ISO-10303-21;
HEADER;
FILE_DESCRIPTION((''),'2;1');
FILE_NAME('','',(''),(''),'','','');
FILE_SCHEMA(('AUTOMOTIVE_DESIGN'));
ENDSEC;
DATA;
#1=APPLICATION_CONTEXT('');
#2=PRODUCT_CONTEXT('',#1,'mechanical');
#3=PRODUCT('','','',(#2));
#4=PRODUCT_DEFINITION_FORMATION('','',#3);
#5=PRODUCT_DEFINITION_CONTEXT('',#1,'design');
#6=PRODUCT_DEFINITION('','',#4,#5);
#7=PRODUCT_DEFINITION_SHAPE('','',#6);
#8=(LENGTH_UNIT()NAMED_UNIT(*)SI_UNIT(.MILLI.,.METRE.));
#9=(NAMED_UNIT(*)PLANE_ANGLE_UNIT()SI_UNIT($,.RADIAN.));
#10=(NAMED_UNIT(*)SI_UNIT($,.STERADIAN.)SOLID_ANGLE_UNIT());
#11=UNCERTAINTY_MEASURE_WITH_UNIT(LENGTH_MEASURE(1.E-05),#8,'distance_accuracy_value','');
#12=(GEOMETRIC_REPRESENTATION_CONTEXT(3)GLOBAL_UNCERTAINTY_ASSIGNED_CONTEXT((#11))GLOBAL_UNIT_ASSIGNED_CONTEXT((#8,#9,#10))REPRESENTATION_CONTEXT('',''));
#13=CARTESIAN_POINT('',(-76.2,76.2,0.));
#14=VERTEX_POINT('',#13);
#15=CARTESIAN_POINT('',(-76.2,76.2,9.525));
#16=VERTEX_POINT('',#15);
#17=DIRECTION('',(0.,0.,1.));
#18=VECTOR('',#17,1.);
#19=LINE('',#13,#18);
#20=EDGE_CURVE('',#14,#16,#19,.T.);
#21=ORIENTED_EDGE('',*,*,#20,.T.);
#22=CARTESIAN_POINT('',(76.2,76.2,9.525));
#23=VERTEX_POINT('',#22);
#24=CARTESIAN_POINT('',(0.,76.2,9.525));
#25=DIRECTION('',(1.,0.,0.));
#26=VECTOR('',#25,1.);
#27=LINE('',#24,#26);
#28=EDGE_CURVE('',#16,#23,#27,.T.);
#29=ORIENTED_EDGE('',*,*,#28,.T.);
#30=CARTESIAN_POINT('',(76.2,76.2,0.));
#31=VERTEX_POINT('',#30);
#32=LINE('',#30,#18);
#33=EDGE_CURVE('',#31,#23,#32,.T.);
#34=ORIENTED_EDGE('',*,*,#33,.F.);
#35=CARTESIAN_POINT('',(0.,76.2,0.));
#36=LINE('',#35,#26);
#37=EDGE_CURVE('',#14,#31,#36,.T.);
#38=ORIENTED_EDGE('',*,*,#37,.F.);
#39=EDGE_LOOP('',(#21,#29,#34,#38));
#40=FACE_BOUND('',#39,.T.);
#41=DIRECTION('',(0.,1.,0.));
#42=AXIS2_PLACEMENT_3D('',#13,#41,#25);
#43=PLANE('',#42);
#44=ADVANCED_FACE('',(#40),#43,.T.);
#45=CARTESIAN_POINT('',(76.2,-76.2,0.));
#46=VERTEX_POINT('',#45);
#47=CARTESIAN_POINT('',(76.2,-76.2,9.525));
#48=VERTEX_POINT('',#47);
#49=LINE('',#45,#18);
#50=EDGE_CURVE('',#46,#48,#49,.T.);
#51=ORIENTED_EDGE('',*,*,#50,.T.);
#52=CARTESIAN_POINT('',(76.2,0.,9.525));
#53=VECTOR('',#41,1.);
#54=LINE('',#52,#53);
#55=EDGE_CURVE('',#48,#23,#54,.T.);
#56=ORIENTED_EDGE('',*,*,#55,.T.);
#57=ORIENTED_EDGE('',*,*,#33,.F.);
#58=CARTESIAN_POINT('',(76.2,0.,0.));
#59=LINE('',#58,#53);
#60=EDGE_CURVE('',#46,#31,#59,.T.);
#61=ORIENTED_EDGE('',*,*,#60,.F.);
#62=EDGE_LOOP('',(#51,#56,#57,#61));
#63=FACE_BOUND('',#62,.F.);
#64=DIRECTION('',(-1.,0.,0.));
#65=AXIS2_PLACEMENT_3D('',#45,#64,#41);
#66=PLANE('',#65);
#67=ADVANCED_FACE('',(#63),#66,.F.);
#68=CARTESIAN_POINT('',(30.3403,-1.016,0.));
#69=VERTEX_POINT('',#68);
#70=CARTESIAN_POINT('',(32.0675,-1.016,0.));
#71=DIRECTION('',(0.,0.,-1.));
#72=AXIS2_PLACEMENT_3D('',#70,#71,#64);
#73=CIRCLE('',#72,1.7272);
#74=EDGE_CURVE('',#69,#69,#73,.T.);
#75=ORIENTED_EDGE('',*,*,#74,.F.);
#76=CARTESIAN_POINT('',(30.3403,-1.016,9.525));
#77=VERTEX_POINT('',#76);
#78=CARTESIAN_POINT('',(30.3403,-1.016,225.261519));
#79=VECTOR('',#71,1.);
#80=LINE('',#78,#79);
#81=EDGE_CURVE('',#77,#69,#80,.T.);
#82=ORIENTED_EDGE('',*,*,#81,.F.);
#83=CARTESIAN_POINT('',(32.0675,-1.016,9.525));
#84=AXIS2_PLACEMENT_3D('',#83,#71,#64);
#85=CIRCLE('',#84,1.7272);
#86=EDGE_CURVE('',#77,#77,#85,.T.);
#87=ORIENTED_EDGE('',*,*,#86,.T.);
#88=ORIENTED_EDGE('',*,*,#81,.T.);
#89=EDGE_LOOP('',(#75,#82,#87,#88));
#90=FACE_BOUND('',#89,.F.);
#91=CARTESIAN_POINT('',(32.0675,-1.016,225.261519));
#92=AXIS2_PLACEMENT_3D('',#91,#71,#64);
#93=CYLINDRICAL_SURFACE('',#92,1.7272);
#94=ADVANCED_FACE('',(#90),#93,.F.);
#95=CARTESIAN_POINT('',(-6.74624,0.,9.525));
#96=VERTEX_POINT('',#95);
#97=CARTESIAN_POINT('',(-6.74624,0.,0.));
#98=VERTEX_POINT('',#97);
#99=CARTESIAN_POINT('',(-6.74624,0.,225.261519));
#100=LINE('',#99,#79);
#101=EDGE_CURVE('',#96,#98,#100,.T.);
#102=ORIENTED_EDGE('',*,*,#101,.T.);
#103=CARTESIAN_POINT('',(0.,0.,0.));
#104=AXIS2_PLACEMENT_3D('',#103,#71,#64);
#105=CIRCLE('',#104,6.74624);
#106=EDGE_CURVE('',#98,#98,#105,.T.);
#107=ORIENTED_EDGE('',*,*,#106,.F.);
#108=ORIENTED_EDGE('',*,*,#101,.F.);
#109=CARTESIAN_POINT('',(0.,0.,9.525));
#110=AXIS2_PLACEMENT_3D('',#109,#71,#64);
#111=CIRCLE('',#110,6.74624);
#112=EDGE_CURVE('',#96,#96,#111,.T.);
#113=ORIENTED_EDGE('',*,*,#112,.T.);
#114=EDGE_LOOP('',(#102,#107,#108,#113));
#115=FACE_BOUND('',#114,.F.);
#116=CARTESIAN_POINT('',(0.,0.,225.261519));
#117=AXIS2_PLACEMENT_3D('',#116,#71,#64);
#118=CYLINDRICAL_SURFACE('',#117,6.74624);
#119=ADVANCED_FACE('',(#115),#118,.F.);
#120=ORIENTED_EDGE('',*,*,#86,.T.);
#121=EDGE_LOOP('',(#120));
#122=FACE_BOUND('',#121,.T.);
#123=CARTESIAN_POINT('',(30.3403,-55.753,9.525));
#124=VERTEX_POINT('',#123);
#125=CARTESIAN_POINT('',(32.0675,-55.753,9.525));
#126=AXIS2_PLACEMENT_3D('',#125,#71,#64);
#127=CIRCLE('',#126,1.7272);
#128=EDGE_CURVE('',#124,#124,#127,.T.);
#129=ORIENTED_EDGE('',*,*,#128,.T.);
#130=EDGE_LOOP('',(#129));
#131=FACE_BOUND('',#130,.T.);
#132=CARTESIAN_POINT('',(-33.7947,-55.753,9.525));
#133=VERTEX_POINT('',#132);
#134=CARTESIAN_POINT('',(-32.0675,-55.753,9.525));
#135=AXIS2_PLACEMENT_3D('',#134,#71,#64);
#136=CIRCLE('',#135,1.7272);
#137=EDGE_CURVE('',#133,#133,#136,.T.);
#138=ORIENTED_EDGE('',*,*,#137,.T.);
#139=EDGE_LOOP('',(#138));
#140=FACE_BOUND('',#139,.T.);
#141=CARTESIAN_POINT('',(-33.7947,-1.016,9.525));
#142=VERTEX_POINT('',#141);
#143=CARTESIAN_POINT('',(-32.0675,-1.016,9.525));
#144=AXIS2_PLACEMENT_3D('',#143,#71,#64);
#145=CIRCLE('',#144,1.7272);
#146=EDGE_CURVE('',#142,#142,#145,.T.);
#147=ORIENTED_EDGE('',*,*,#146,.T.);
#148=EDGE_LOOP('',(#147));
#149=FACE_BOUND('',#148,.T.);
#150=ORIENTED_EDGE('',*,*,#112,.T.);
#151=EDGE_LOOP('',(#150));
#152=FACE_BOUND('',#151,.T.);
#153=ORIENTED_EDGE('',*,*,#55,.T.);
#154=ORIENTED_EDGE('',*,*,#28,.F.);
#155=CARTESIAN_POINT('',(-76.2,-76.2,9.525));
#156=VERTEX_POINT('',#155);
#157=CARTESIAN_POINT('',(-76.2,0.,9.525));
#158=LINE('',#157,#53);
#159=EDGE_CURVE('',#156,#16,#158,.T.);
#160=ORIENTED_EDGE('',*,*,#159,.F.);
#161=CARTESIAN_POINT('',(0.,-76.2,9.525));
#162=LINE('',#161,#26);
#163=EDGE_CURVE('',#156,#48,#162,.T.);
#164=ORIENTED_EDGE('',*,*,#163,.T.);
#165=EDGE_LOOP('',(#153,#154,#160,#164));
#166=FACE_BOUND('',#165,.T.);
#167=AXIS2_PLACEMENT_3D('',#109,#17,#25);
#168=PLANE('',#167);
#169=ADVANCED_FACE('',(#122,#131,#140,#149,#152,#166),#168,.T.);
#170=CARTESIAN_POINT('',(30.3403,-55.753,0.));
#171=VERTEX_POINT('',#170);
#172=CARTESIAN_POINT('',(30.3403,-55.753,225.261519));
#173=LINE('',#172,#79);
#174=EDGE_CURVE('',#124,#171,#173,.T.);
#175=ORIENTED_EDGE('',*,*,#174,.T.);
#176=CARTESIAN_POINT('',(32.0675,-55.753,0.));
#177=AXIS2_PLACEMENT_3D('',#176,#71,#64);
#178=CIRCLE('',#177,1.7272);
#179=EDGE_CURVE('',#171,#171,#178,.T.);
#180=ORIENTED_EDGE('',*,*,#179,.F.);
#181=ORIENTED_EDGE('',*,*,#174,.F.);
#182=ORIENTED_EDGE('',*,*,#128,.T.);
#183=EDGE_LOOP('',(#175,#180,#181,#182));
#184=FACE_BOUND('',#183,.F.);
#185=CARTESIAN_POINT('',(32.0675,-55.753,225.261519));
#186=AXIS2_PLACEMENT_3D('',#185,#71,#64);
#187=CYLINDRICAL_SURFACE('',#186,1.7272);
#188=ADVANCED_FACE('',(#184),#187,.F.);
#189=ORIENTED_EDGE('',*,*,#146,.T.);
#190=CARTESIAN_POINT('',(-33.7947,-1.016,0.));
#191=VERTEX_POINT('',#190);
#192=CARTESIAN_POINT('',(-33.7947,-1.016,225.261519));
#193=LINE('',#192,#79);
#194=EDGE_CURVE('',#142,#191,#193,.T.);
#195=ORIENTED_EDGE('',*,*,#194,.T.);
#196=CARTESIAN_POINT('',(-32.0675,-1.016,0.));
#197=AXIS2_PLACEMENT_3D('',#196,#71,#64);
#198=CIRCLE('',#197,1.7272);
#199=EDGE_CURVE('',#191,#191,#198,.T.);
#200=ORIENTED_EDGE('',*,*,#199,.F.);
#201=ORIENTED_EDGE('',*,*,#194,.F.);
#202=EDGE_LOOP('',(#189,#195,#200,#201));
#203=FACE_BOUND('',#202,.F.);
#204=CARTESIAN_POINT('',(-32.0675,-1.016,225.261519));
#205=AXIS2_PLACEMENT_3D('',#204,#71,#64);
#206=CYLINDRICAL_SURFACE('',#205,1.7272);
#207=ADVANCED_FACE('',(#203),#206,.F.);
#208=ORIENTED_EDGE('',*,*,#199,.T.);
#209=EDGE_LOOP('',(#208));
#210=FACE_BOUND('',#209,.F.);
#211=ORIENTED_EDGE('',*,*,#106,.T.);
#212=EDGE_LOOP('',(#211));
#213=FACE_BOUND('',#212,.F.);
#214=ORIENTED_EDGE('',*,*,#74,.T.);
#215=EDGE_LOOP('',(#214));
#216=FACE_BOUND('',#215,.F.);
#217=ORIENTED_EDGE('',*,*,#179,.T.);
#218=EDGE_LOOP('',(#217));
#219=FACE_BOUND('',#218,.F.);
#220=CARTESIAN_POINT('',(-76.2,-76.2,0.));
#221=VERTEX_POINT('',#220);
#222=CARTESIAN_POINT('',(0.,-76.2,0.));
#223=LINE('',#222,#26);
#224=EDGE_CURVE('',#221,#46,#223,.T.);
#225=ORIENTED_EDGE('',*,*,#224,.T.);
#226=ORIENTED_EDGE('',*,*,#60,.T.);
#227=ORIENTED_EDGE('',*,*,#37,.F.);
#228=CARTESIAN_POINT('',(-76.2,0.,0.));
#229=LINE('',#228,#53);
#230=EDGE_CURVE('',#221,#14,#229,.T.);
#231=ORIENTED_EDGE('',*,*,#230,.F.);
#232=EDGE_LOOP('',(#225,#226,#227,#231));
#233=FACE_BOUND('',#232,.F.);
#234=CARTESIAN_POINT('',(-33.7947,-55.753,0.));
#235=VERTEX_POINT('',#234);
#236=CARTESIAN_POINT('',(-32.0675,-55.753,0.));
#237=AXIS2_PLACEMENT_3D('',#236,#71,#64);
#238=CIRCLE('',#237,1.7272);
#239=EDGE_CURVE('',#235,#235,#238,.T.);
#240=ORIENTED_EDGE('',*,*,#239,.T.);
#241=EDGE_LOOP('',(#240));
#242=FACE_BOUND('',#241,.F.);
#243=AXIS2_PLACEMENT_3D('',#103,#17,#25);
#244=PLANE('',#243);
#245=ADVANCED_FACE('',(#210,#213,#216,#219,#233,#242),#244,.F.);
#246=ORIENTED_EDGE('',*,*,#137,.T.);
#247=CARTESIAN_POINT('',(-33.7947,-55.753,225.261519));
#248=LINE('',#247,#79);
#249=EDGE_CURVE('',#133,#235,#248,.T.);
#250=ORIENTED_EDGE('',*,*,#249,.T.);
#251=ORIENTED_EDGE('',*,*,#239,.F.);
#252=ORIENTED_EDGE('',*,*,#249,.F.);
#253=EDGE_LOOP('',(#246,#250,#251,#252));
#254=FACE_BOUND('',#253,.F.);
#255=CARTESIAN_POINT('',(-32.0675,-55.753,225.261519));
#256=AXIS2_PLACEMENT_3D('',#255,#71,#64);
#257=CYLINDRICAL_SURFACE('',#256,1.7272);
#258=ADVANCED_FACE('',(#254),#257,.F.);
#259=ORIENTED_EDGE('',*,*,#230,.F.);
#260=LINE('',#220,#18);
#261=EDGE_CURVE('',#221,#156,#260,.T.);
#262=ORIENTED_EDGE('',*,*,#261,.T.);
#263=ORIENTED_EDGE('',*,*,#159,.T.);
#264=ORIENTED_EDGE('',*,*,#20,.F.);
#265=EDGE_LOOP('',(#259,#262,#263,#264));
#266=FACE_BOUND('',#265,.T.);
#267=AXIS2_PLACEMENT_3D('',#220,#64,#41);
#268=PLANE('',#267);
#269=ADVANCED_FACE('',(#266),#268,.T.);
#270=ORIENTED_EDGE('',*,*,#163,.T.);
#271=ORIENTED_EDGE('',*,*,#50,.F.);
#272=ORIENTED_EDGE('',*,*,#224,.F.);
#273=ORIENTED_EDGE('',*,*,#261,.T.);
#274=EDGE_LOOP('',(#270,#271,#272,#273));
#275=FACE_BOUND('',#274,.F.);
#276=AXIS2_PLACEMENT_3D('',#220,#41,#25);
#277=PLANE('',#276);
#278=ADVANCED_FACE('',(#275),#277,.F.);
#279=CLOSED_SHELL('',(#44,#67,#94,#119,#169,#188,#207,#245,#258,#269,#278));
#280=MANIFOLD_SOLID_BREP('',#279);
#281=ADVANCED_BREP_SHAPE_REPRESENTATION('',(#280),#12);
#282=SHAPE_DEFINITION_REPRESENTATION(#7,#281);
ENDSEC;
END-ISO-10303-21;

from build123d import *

# Parameters (mm, degrees)
F0_W     = 152.4
F0_H     = 152.4
F1_DEPTH = 9.525
F3_D     = 3.4544
F5_D     = 13.49248


with BuildPart() as f1:
    # F0 (on Top) → F1 (new body)
    with BuildSketch(Plane.XY):
        Rectangle(F0_W, F0_H)
    extrude(amount=F1_DEPTH)

    # F3 (through all)
    with Locations(Plane.XY.offset(9.525)):
        with Locations((-32.0675, -1.016), (-32.0675, -55.753), (32.0675, -55.753), (32.0675, -1.016)):
            Hole(F3_D / 2)

    # F5 (through all)
    with Locations(Plane.XY.offset(9.525)):
        with Locations((0, 0)):
            Hole(F5_D / 2)


solid = f1.part
